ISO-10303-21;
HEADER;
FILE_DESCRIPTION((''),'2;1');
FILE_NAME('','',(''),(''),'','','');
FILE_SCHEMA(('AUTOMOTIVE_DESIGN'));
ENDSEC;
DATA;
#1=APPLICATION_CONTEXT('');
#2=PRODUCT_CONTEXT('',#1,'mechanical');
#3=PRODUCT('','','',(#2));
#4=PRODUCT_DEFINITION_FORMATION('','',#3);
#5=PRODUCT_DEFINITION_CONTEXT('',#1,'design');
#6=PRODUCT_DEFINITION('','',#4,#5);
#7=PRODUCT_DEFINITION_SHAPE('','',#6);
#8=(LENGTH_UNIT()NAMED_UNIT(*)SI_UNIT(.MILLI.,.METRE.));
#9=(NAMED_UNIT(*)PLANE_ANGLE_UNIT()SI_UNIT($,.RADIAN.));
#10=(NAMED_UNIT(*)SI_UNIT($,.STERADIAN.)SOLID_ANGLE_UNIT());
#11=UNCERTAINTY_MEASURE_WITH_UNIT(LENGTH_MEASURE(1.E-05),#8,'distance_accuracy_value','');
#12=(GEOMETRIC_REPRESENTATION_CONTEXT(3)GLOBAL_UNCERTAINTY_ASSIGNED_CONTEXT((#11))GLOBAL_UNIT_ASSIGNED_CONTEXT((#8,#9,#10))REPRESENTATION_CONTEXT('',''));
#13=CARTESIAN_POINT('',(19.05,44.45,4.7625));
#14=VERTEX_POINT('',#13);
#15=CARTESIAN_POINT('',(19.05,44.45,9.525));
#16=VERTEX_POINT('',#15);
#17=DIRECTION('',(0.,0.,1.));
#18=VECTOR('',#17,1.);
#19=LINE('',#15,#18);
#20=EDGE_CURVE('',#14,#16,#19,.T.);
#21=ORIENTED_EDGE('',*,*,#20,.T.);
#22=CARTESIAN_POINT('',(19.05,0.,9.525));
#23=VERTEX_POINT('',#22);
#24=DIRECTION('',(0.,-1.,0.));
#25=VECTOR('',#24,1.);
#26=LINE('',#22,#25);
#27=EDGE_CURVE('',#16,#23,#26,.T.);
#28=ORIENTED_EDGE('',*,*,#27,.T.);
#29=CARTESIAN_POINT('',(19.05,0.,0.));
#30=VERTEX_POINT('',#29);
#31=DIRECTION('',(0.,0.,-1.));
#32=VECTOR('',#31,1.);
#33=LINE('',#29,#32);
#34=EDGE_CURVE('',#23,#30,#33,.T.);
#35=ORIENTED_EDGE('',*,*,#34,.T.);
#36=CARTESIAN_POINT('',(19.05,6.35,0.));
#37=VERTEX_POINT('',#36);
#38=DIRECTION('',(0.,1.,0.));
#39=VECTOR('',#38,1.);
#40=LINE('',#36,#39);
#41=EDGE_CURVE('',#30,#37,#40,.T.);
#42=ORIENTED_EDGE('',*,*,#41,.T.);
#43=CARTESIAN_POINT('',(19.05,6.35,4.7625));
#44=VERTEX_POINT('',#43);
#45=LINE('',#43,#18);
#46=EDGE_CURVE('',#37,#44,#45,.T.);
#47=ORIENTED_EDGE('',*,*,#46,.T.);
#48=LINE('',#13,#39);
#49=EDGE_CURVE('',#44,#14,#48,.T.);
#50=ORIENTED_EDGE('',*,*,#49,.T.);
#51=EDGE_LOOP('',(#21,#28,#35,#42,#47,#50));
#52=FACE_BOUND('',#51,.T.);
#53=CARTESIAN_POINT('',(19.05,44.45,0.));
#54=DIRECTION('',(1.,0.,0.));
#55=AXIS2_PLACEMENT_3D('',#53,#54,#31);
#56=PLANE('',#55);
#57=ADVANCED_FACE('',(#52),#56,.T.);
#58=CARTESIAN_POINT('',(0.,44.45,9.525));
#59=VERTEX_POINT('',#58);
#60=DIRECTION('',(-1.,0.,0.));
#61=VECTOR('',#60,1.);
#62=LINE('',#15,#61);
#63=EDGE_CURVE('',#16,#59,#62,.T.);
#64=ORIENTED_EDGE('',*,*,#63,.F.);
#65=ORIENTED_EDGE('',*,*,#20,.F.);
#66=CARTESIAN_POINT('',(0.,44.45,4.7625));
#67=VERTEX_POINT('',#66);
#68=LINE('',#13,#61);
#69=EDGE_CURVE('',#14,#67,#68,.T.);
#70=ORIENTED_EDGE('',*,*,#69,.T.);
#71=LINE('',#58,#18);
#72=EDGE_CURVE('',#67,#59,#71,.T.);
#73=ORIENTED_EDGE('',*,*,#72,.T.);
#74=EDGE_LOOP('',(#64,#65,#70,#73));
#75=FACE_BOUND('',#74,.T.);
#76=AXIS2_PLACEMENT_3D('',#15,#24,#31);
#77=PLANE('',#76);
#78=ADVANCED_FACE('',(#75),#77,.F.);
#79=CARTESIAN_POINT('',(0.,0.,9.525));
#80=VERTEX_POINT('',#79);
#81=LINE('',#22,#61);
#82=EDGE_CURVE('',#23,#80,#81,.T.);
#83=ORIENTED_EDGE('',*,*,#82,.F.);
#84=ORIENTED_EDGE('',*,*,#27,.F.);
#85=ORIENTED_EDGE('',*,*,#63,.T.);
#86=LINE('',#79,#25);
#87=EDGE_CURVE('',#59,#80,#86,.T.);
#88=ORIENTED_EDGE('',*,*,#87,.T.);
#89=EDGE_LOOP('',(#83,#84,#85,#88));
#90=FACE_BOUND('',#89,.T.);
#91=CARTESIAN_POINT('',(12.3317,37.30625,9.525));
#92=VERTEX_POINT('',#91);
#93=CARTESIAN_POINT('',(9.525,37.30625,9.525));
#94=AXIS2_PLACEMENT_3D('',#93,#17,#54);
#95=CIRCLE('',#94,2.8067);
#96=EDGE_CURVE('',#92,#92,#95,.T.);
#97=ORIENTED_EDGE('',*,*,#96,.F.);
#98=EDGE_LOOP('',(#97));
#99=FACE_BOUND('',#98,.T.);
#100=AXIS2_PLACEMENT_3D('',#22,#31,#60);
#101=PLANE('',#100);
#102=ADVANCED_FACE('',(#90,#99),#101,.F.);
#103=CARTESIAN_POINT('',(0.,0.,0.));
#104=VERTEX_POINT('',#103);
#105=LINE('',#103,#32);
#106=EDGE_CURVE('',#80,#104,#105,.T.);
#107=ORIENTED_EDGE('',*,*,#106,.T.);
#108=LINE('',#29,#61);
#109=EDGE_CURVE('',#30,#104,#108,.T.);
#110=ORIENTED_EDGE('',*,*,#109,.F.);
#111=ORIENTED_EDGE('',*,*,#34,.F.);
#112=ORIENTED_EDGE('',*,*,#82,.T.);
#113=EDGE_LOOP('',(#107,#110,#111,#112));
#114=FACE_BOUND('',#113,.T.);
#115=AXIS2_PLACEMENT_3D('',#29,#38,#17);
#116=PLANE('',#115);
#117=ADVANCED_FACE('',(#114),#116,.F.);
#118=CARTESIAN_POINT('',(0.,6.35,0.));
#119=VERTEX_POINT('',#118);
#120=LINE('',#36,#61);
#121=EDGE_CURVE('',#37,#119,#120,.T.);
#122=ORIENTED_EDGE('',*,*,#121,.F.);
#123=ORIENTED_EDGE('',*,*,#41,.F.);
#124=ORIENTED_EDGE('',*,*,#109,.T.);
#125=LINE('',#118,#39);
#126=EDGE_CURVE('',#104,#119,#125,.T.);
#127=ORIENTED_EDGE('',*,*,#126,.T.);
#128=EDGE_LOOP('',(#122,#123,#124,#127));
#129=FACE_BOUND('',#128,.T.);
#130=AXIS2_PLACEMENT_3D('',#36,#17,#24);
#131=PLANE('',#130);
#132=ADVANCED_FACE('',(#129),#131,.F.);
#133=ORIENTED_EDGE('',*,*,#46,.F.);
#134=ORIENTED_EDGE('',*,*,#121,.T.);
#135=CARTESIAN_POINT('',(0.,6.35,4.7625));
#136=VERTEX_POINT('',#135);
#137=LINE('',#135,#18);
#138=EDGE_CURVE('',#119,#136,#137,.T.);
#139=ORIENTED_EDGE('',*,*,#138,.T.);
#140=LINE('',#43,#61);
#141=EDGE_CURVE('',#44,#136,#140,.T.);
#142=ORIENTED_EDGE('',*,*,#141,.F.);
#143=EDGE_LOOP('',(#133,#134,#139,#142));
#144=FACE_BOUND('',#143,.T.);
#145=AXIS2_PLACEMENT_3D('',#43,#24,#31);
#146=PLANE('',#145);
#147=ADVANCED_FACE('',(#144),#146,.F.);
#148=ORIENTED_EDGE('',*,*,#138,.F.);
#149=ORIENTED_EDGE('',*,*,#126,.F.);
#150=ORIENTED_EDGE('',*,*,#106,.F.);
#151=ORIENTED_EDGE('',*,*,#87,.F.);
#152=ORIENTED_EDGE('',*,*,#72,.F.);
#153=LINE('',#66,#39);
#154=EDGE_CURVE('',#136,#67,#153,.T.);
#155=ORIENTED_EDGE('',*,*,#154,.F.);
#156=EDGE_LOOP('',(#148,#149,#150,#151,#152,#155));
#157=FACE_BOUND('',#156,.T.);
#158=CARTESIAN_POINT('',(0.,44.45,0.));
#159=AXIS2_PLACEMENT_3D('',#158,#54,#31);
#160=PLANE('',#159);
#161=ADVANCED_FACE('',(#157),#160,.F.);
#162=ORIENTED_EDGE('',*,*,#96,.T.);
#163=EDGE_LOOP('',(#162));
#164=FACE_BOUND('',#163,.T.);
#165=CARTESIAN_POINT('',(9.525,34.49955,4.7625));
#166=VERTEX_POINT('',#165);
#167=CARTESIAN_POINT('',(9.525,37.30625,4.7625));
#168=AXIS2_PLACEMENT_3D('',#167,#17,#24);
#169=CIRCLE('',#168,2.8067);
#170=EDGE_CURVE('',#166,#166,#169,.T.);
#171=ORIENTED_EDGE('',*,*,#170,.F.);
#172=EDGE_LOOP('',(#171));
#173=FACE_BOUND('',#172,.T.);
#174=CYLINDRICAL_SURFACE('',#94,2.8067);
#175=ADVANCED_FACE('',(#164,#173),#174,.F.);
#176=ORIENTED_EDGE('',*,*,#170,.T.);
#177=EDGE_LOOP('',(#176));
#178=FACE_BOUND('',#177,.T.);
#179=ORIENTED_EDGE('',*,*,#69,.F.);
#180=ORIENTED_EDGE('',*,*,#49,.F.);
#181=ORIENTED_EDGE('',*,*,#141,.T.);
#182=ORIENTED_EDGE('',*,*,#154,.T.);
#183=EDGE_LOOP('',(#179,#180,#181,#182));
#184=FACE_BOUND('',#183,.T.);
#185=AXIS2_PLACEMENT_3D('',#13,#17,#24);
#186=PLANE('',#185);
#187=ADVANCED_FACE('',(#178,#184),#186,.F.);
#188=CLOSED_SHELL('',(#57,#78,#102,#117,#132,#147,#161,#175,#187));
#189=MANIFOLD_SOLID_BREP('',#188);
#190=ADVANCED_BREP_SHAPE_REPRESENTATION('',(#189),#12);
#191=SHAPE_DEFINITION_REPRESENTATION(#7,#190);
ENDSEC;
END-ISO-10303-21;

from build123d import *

# Parameters (mm, degrees)
EXTRUDE1_DEPTH         = 19.05
F_10_CLEARANCE_HOLE1_D = 5.6134


with BuildPart() as part:
    # Sketch1 → Extrude1 (new body)
    with BuildSketch(Plane(origin=(0, 0, 0), x_dir=(0, 0, -1), z_dir=(1, 0, 0))):
        Polygon((0, 0), (-9.525, 0), (-9.525, 44.45), (-4.7625, 44.45), (-4.7625, 6.35), (0, 6.35), align=None)
    extrude(amount=EXTRUDE1_DEPTH)

    # #10 Clearance Hole1 (through all)
    with Locations(Plane.XY.offset(9.525)):
        with Locations((9.525, 37.30625)):
            Hole(F_10_CLEARANCE_HOLE1_D / 2)


solid = part.part
